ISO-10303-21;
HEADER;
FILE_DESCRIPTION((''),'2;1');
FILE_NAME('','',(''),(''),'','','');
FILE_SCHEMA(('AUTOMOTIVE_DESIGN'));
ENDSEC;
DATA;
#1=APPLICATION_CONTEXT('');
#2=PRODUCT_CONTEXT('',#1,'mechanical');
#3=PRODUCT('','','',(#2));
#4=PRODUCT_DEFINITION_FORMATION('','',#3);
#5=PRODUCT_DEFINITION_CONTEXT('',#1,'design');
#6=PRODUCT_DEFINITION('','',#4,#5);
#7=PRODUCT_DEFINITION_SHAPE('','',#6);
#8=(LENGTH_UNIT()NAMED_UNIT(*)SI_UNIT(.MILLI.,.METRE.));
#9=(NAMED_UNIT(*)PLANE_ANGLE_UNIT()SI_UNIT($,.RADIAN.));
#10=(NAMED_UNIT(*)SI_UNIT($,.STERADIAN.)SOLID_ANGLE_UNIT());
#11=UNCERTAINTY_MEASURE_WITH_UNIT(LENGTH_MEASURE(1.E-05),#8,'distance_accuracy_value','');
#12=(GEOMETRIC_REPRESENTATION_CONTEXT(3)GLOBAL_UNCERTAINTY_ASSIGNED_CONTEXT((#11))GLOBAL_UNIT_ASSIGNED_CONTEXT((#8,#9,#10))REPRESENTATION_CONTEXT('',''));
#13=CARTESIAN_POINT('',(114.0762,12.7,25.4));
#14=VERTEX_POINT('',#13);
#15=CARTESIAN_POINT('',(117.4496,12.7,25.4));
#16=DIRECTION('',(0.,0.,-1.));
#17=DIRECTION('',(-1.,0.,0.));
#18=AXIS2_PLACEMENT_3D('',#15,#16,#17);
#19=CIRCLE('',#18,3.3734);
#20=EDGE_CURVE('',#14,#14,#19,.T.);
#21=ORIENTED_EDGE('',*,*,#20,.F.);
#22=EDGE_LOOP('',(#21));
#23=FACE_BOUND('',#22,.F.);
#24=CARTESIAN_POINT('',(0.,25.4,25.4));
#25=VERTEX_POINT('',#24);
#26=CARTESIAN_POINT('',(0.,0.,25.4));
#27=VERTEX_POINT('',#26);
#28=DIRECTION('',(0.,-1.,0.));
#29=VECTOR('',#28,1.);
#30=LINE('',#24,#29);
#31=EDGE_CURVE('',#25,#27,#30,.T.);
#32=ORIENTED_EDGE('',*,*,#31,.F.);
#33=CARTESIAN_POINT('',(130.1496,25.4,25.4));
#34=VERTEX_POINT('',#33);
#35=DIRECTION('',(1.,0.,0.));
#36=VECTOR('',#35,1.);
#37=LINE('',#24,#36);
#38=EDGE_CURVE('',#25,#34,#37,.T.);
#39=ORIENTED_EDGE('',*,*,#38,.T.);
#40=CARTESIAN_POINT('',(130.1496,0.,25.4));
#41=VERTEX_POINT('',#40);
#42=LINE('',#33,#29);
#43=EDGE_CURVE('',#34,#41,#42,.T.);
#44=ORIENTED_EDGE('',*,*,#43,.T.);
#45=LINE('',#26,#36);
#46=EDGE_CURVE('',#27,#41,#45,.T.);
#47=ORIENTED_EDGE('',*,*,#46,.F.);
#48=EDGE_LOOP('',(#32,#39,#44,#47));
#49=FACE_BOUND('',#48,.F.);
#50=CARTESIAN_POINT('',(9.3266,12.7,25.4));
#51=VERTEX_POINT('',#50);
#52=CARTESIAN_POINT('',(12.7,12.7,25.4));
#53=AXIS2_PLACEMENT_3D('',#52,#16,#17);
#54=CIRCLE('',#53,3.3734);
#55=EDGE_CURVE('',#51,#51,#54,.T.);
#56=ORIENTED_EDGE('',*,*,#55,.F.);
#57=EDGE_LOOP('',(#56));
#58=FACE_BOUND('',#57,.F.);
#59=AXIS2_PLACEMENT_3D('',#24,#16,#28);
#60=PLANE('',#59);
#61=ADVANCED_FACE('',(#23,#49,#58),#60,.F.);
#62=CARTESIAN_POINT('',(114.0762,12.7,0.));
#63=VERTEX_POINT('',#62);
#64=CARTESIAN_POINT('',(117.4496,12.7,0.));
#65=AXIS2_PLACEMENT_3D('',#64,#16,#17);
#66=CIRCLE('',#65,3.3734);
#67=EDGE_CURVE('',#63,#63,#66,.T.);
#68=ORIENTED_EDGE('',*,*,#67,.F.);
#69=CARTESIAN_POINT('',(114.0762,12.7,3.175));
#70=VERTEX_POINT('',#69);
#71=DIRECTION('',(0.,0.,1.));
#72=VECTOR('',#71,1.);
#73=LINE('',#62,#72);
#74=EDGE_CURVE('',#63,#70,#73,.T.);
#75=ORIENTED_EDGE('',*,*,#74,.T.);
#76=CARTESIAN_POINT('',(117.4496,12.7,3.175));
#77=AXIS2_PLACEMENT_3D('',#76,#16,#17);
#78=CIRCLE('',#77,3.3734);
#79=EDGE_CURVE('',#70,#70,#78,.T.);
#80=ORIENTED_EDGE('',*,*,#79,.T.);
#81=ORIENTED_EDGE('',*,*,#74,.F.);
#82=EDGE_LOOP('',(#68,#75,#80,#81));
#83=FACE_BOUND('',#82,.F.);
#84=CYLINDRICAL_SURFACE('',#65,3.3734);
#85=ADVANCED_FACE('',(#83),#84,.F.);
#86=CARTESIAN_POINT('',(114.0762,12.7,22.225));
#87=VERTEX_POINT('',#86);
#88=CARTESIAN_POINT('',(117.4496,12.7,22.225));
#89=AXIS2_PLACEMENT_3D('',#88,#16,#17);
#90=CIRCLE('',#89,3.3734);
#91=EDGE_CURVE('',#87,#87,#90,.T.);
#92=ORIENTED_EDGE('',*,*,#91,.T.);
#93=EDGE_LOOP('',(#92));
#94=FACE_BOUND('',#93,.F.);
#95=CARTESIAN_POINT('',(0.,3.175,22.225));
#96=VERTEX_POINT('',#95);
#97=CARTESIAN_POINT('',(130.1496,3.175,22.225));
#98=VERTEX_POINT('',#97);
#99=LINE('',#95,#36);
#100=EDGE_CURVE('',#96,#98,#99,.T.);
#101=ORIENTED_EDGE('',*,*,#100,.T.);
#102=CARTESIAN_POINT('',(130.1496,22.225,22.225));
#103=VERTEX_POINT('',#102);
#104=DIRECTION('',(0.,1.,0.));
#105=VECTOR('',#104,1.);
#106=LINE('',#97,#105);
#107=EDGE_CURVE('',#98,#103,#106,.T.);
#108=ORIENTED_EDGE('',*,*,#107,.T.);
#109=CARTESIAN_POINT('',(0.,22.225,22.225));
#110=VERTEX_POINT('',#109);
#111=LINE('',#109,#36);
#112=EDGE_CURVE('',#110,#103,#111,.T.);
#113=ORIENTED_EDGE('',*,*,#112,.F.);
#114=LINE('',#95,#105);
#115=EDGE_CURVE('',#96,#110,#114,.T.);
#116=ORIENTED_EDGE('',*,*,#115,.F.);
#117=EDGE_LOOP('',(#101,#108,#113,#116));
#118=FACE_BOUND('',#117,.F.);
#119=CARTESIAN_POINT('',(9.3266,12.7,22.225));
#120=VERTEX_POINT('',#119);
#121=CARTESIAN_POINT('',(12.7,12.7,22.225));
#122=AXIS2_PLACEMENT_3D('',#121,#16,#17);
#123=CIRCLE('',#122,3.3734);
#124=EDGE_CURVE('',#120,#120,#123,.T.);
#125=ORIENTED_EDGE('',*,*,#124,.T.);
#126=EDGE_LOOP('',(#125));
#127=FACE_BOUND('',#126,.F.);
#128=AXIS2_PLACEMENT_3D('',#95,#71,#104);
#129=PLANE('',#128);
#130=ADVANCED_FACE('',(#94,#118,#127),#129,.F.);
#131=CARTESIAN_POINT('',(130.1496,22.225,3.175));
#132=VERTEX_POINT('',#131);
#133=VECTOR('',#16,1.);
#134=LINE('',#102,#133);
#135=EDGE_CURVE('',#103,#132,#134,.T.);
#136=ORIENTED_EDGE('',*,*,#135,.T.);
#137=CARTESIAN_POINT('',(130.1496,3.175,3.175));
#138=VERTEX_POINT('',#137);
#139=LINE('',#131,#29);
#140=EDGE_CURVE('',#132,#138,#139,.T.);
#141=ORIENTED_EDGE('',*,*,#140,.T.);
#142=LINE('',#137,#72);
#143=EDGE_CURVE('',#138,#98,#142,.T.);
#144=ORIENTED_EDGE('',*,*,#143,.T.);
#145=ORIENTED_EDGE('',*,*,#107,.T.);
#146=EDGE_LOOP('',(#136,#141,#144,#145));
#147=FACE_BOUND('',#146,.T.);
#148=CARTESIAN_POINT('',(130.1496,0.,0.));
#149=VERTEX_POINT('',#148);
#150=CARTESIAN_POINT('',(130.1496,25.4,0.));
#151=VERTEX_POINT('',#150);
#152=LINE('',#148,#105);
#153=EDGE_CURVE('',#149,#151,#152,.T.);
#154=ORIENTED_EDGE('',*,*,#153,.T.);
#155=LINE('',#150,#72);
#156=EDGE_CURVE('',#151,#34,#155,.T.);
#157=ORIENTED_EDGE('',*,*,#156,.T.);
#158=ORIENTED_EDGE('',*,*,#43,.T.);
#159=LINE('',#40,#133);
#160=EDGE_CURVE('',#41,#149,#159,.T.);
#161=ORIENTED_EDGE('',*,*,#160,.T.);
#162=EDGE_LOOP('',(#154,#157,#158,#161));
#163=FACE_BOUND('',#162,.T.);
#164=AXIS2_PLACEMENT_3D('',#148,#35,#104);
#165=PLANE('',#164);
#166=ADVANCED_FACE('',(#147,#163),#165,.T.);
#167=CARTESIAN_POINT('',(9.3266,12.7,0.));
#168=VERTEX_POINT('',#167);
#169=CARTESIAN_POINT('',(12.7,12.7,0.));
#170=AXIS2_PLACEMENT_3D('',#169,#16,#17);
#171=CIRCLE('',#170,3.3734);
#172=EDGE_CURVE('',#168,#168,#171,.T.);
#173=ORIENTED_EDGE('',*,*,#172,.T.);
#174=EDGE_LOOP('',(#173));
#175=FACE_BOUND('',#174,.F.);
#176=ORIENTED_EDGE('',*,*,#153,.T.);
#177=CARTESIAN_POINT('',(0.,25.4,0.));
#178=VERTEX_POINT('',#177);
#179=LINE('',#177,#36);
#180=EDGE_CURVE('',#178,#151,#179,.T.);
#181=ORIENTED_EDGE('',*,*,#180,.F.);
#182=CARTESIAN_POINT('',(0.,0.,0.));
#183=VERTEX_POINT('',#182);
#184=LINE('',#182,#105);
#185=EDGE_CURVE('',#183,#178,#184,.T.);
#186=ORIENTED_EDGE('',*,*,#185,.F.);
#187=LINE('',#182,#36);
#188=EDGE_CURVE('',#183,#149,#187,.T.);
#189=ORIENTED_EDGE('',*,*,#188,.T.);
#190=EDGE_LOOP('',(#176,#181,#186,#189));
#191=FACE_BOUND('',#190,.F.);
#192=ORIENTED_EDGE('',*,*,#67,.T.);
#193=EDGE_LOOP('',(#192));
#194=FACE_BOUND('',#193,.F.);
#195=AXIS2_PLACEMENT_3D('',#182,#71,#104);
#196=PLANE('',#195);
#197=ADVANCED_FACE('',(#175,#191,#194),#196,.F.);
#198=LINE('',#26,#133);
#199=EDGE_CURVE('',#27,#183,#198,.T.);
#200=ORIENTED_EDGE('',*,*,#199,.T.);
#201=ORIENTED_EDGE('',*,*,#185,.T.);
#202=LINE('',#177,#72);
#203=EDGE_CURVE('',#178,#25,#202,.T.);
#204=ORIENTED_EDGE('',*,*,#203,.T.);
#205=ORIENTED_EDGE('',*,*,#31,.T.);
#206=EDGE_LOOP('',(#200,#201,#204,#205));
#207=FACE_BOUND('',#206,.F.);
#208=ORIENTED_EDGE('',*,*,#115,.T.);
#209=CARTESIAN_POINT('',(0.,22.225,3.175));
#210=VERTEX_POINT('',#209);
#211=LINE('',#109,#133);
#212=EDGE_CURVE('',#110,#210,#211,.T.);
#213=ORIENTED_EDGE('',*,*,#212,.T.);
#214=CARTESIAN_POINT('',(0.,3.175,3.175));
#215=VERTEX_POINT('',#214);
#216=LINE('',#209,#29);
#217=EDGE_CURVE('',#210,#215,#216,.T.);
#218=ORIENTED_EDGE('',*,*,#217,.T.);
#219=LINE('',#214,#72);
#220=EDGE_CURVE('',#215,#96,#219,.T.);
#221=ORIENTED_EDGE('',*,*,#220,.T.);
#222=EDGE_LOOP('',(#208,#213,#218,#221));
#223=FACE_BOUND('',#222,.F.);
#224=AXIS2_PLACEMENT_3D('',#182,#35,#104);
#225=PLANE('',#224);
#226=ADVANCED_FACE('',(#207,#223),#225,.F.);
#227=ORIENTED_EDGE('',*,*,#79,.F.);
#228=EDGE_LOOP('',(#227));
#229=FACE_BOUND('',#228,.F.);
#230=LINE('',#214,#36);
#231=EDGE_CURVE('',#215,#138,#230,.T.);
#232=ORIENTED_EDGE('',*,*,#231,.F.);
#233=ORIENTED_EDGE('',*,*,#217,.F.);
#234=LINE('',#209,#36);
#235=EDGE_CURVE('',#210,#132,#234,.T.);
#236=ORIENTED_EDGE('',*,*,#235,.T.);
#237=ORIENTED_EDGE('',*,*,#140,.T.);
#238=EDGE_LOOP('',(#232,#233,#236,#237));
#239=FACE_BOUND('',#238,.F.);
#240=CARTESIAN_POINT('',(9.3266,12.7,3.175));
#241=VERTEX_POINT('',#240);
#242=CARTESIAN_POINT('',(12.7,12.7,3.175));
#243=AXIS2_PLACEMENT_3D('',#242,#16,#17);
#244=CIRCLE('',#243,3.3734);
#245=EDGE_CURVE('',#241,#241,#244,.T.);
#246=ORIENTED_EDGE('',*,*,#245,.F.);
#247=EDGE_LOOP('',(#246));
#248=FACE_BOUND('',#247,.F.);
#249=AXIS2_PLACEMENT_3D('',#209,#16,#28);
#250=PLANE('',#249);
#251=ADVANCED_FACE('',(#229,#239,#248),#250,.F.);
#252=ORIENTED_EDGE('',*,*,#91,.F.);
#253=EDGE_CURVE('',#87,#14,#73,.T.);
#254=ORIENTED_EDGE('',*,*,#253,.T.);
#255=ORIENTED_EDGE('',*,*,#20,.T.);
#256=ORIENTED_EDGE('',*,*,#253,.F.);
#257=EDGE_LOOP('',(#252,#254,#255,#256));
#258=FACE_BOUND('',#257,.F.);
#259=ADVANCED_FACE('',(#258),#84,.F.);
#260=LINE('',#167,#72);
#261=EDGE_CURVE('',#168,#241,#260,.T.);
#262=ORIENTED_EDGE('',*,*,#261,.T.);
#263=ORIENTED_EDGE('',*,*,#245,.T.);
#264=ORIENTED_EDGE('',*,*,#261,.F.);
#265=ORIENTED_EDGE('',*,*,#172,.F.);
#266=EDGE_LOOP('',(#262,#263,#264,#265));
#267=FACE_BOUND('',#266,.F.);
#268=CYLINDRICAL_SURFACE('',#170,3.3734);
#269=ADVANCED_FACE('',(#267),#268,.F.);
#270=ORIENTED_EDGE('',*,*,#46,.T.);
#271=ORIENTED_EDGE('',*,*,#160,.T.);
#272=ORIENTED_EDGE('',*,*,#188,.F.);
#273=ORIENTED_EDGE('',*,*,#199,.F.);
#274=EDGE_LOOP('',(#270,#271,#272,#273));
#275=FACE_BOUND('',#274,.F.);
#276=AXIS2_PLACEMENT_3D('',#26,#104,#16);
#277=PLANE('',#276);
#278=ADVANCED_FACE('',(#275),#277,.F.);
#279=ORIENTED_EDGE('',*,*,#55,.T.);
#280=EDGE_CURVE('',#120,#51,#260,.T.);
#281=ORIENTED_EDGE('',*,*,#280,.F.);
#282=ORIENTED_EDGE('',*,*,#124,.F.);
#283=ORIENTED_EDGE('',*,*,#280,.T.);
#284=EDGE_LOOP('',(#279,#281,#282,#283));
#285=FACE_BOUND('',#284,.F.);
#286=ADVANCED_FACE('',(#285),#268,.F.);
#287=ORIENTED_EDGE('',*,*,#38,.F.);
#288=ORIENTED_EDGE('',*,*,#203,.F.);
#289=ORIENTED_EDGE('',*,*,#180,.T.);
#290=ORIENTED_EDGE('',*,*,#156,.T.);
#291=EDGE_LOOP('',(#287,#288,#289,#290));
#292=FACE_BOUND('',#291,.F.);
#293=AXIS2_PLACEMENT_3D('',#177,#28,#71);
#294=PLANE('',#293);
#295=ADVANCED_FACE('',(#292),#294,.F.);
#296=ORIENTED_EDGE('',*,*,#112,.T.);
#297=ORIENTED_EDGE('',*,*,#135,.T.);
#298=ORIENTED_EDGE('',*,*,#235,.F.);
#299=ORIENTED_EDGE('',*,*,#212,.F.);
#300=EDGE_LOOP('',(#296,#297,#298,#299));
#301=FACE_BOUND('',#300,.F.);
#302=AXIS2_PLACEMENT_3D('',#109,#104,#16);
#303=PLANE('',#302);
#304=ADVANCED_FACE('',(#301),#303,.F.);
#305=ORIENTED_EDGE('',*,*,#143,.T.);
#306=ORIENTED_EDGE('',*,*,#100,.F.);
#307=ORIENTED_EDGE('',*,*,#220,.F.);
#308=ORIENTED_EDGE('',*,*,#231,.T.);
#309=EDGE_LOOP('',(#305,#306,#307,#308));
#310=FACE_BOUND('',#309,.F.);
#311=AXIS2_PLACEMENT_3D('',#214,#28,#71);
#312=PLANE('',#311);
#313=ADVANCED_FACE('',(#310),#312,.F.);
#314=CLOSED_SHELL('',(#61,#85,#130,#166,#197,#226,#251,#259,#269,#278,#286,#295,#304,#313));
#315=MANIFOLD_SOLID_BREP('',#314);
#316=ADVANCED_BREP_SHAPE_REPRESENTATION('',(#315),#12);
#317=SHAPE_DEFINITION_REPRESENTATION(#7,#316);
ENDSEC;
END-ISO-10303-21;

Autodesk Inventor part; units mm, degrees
ref_plane "YZ Plane" through (0, 0, 0) normal (1, 0, 0) x (0, 1, 0)
ref_plane "XZ Plane" through (0, 0, 0) normal (0, 1, 0) x (-1, 0, 0)
ref_plane "XY Plane" through (0, 0, 0) normal (0, 0, 1) x (1, 0, 0)
sketch "Sketch1" plane through (0, 0, 0) normal (1, 0, 0) x (0, 1, 0)
  line L0 (0, 0) -> (25.4, 0)
  line L1 (25.4, 0) -> (25.4, 25.4)
  line L2 (25.4, 25.4) -> (0, 25.4)
  line L3 (0, 25.4) -> (0, 0)
  line L4 (3.175, 22.225) -> (22.225, 22.225)
  line L5 (22.225, 22.225) -> (22.225, 3.175)
  line L6 (22.225, 3.175) -> (3.175, 3.175)
  line L7 (3.175, 3.175) -> (3.175, 22.225)
  dimension "d0" = 25.4
  dimension "d1" = 25.4
  dimension "d2" = 3.175
extrude "Extrusion1" add sketch "Sketch1" along normal blind 130.1496
sketch "Sketch2" plane through (0, 0, 0) normal (0, 0, -1) x (-1, 0, 0)
  circle A0 centre (-12.7, 12.7) radius 3.3734
  circle A1 centre (-117.4496, 12.7) radius 3.3734
  line L0 (0, 0) -> (0, 25.4) projected
  line L1 (-130.1496, 0) -> (-130.1496, 25.4) projected
  line L2 (0, 0) -> (-130.1496, 0) projected
  dimension "d5" = 6.7469
  dimension "d6" = 6.7469
  dimension "d7" = 12.7
  dimension "d8" = 12.7
  dimension "d9" = 12.7
  dimension "d10" = 12.7
extrude "Extrusion2" cut sketch "Sketch2" against normal blind 25.4
properties part number "support block"
